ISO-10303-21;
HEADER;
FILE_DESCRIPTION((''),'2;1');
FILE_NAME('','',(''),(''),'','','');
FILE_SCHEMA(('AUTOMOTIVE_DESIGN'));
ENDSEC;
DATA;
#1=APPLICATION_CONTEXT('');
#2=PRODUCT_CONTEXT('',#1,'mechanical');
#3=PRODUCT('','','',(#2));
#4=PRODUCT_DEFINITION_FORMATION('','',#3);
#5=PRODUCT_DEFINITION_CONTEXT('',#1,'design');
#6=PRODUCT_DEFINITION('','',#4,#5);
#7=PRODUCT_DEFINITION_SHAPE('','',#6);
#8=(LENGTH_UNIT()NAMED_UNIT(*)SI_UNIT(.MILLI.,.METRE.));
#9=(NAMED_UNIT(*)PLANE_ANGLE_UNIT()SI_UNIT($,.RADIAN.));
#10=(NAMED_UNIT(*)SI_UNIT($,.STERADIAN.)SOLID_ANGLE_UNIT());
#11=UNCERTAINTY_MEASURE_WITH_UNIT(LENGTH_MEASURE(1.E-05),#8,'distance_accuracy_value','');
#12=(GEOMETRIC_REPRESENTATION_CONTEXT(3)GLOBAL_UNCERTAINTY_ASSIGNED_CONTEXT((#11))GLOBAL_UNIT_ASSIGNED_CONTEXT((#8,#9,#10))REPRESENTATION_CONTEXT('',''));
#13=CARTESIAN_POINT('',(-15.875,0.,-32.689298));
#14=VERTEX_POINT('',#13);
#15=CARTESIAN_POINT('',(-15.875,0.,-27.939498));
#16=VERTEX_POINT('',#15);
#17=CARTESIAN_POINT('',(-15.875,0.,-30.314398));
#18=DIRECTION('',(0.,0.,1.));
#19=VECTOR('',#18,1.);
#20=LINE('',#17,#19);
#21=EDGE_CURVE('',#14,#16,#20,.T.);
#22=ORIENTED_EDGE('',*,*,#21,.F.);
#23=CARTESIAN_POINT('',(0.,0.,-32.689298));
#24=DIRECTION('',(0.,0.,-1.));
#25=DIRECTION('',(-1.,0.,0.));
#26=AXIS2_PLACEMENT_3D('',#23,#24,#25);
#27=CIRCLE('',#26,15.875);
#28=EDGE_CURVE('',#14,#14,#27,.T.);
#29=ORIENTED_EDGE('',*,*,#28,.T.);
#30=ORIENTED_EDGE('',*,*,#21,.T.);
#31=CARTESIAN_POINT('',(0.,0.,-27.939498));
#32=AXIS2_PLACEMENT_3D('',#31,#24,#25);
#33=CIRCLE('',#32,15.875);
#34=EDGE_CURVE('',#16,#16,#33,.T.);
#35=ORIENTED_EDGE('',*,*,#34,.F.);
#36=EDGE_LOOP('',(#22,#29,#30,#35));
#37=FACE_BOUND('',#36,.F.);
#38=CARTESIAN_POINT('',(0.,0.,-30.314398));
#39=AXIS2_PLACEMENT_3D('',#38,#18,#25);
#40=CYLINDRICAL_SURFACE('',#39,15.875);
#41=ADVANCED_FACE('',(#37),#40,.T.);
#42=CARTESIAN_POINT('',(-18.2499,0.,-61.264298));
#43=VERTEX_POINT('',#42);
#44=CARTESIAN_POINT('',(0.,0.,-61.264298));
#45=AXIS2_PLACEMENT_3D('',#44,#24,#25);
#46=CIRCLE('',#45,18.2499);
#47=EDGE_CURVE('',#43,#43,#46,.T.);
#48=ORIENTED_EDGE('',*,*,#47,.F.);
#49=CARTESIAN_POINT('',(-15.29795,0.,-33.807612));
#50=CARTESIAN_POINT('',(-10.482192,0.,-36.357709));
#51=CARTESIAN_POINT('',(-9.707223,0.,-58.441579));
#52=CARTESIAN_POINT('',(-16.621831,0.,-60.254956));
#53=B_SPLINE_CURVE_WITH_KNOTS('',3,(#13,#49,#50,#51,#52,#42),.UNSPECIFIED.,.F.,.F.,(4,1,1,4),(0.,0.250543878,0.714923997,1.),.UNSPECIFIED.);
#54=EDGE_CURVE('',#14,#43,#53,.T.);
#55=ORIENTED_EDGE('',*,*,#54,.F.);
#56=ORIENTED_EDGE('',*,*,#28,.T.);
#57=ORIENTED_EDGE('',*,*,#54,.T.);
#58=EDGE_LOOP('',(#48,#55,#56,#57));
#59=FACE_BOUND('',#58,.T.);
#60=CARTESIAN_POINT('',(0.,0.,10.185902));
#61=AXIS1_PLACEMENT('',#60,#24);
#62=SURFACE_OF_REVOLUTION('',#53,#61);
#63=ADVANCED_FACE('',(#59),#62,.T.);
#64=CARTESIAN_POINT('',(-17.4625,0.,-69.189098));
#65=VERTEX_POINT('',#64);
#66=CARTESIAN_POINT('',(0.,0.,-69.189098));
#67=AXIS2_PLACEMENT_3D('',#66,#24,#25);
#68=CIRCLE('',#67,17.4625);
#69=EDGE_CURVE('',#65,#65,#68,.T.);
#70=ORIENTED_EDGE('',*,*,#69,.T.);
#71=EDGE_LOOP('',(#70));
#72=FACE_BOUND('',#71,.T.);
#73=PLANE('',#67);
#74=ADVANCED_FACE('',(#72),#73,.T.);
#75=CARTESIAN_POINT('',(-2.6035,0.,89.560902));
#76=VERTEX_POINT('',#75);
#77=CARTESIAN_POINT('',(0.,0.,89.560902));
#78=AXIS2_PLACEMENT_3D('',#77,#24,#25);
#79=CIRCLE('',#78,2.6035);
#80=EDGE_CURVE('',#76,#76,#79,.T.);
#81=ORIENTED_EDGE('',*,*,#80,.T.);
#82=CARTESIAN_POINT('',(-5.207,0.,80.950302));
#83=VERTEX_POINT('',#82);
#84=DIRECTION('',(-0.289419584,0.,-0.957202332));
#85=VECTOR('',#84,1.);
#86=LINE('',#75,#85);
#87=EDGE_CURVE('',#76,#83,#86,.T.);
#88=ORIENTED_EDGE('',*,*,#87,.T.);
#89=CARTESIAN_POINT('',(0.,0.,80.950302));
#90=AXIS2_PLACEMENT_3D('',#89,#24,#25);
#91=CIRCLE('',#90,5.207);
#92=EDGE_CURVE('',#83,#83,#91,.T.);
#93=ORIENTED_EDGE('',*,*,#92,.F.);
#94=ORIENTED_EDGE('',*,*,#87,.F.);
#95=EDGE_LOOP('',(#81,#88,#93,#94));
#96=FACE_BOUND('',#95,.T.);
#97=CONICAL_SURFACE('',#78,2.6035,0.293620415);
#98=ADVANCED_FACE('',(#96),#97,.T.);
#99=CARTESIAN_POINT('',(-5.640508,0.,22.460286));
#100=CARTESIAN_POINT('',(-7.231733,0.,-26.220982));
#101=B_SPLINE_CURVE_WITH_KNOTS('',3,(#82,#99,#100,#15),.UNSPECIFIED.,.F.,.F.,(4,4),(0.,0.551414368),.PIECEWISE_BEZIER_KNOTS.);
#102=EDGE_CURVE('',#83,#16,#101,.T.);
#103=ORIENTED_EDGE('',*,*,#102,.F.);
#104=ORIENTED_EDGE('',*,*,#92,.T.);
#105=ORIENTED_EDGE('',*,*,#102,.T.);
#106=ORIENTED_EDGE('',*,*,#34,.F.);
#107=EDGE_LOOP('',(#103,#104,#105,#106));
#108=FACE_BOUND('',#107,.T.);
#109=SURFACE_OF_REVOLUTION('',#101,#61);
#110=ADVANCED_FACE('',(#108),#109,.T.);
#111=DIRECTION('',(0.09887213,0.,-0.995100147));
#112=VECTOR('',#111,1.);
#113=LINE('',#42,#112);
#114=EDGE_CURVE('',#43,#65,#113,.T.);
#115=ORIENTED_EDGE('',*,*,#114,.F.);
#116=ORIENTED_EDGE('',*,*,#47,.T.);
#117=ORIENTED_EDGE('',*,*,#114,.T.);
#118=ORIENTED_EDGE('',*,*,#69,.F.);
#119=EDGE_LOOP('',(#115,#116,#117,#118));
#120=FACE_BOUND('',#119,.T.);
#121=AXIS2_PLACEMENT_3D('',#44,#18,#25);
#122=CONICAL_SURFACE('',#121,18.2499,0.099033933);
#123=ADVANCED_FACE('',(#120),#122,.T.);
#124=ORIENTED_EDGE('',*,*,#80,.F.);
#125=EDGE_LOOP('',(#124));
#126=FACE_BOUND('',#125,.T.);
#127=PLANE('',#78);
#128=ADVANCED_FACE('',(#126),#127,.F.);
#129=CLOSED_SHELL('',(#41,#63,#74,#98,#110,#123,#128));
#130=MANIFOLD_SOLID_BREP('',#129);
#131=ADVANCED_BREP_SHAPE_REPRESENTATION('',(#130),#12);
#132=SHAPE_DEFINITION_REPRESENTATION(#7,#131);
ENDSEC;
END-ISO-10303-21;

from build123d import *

# Parameters (mm, degrees)
F0_W = 15.875
F0_H = 4.7498


with BuildPart() as f1:
    # F0 (on Front) → F1 (revolve)
    with BuildSketch(Plane.XZ):
        with Locations((-7.9375, -30.3143975992)):
            Rectangle(F0_W, F0_H)
        with BuildLine():
            Line((-18.2499, -61.2642975992), (0, -61.2642975992))
            Line((0, -61.2642975992), (0, -32.6892975992))
            Line((0, -32.6892975992), (-15.875, -32.6892975992))
            add(Edge.make_bspline(
                [(-15.875, -32.6892975992), (-15.2979500412, -33.807611658), (-10.4821920255, -36.3577085762), (-9.7072227265, -58.4415786457), (-16.6218308083, -60.254956053), (-18.2499, -61.2642975992)],
                knots=[0, 0, 0, 0, 0.2505438775, 0.7149239973, 1, 1, 1, 1], degree=3))
        make_face()
        with BuildLine():
            Line((-15.875, -27.9394975992), (0, -27.9394975992))
            Line((0, -27.9394975992), (0, 89.5609024008))
            Line((0, 89.5609024008), (-2.6035, 89.5609024008))
            Line((-2.6035, 89.5609024008), (-5.207, 80.9503024008))
            add(Edge.make_bspline(
                [(-5.207, 80.9503024008), (-5.640507995, 22.4602864435), (-7.2317328357, -26.2209816068), (-15.875, -27.9394975992)],
                knots=[0, 0, 0, 0, 0.5514143677, 0.5514143677, 0.5514143677, 0.5514143677], degree=3))
        make_face()
        Polygon((-17.4625, -69.1890975992), (0, -69.1890975992), (0, -61.2642975992), (-18.2499, -61.2642975992), align=None)
    revolve(axis=Axis((0, 0, 10.1859024008), (0, 0, -1)))


solid = f1.part
